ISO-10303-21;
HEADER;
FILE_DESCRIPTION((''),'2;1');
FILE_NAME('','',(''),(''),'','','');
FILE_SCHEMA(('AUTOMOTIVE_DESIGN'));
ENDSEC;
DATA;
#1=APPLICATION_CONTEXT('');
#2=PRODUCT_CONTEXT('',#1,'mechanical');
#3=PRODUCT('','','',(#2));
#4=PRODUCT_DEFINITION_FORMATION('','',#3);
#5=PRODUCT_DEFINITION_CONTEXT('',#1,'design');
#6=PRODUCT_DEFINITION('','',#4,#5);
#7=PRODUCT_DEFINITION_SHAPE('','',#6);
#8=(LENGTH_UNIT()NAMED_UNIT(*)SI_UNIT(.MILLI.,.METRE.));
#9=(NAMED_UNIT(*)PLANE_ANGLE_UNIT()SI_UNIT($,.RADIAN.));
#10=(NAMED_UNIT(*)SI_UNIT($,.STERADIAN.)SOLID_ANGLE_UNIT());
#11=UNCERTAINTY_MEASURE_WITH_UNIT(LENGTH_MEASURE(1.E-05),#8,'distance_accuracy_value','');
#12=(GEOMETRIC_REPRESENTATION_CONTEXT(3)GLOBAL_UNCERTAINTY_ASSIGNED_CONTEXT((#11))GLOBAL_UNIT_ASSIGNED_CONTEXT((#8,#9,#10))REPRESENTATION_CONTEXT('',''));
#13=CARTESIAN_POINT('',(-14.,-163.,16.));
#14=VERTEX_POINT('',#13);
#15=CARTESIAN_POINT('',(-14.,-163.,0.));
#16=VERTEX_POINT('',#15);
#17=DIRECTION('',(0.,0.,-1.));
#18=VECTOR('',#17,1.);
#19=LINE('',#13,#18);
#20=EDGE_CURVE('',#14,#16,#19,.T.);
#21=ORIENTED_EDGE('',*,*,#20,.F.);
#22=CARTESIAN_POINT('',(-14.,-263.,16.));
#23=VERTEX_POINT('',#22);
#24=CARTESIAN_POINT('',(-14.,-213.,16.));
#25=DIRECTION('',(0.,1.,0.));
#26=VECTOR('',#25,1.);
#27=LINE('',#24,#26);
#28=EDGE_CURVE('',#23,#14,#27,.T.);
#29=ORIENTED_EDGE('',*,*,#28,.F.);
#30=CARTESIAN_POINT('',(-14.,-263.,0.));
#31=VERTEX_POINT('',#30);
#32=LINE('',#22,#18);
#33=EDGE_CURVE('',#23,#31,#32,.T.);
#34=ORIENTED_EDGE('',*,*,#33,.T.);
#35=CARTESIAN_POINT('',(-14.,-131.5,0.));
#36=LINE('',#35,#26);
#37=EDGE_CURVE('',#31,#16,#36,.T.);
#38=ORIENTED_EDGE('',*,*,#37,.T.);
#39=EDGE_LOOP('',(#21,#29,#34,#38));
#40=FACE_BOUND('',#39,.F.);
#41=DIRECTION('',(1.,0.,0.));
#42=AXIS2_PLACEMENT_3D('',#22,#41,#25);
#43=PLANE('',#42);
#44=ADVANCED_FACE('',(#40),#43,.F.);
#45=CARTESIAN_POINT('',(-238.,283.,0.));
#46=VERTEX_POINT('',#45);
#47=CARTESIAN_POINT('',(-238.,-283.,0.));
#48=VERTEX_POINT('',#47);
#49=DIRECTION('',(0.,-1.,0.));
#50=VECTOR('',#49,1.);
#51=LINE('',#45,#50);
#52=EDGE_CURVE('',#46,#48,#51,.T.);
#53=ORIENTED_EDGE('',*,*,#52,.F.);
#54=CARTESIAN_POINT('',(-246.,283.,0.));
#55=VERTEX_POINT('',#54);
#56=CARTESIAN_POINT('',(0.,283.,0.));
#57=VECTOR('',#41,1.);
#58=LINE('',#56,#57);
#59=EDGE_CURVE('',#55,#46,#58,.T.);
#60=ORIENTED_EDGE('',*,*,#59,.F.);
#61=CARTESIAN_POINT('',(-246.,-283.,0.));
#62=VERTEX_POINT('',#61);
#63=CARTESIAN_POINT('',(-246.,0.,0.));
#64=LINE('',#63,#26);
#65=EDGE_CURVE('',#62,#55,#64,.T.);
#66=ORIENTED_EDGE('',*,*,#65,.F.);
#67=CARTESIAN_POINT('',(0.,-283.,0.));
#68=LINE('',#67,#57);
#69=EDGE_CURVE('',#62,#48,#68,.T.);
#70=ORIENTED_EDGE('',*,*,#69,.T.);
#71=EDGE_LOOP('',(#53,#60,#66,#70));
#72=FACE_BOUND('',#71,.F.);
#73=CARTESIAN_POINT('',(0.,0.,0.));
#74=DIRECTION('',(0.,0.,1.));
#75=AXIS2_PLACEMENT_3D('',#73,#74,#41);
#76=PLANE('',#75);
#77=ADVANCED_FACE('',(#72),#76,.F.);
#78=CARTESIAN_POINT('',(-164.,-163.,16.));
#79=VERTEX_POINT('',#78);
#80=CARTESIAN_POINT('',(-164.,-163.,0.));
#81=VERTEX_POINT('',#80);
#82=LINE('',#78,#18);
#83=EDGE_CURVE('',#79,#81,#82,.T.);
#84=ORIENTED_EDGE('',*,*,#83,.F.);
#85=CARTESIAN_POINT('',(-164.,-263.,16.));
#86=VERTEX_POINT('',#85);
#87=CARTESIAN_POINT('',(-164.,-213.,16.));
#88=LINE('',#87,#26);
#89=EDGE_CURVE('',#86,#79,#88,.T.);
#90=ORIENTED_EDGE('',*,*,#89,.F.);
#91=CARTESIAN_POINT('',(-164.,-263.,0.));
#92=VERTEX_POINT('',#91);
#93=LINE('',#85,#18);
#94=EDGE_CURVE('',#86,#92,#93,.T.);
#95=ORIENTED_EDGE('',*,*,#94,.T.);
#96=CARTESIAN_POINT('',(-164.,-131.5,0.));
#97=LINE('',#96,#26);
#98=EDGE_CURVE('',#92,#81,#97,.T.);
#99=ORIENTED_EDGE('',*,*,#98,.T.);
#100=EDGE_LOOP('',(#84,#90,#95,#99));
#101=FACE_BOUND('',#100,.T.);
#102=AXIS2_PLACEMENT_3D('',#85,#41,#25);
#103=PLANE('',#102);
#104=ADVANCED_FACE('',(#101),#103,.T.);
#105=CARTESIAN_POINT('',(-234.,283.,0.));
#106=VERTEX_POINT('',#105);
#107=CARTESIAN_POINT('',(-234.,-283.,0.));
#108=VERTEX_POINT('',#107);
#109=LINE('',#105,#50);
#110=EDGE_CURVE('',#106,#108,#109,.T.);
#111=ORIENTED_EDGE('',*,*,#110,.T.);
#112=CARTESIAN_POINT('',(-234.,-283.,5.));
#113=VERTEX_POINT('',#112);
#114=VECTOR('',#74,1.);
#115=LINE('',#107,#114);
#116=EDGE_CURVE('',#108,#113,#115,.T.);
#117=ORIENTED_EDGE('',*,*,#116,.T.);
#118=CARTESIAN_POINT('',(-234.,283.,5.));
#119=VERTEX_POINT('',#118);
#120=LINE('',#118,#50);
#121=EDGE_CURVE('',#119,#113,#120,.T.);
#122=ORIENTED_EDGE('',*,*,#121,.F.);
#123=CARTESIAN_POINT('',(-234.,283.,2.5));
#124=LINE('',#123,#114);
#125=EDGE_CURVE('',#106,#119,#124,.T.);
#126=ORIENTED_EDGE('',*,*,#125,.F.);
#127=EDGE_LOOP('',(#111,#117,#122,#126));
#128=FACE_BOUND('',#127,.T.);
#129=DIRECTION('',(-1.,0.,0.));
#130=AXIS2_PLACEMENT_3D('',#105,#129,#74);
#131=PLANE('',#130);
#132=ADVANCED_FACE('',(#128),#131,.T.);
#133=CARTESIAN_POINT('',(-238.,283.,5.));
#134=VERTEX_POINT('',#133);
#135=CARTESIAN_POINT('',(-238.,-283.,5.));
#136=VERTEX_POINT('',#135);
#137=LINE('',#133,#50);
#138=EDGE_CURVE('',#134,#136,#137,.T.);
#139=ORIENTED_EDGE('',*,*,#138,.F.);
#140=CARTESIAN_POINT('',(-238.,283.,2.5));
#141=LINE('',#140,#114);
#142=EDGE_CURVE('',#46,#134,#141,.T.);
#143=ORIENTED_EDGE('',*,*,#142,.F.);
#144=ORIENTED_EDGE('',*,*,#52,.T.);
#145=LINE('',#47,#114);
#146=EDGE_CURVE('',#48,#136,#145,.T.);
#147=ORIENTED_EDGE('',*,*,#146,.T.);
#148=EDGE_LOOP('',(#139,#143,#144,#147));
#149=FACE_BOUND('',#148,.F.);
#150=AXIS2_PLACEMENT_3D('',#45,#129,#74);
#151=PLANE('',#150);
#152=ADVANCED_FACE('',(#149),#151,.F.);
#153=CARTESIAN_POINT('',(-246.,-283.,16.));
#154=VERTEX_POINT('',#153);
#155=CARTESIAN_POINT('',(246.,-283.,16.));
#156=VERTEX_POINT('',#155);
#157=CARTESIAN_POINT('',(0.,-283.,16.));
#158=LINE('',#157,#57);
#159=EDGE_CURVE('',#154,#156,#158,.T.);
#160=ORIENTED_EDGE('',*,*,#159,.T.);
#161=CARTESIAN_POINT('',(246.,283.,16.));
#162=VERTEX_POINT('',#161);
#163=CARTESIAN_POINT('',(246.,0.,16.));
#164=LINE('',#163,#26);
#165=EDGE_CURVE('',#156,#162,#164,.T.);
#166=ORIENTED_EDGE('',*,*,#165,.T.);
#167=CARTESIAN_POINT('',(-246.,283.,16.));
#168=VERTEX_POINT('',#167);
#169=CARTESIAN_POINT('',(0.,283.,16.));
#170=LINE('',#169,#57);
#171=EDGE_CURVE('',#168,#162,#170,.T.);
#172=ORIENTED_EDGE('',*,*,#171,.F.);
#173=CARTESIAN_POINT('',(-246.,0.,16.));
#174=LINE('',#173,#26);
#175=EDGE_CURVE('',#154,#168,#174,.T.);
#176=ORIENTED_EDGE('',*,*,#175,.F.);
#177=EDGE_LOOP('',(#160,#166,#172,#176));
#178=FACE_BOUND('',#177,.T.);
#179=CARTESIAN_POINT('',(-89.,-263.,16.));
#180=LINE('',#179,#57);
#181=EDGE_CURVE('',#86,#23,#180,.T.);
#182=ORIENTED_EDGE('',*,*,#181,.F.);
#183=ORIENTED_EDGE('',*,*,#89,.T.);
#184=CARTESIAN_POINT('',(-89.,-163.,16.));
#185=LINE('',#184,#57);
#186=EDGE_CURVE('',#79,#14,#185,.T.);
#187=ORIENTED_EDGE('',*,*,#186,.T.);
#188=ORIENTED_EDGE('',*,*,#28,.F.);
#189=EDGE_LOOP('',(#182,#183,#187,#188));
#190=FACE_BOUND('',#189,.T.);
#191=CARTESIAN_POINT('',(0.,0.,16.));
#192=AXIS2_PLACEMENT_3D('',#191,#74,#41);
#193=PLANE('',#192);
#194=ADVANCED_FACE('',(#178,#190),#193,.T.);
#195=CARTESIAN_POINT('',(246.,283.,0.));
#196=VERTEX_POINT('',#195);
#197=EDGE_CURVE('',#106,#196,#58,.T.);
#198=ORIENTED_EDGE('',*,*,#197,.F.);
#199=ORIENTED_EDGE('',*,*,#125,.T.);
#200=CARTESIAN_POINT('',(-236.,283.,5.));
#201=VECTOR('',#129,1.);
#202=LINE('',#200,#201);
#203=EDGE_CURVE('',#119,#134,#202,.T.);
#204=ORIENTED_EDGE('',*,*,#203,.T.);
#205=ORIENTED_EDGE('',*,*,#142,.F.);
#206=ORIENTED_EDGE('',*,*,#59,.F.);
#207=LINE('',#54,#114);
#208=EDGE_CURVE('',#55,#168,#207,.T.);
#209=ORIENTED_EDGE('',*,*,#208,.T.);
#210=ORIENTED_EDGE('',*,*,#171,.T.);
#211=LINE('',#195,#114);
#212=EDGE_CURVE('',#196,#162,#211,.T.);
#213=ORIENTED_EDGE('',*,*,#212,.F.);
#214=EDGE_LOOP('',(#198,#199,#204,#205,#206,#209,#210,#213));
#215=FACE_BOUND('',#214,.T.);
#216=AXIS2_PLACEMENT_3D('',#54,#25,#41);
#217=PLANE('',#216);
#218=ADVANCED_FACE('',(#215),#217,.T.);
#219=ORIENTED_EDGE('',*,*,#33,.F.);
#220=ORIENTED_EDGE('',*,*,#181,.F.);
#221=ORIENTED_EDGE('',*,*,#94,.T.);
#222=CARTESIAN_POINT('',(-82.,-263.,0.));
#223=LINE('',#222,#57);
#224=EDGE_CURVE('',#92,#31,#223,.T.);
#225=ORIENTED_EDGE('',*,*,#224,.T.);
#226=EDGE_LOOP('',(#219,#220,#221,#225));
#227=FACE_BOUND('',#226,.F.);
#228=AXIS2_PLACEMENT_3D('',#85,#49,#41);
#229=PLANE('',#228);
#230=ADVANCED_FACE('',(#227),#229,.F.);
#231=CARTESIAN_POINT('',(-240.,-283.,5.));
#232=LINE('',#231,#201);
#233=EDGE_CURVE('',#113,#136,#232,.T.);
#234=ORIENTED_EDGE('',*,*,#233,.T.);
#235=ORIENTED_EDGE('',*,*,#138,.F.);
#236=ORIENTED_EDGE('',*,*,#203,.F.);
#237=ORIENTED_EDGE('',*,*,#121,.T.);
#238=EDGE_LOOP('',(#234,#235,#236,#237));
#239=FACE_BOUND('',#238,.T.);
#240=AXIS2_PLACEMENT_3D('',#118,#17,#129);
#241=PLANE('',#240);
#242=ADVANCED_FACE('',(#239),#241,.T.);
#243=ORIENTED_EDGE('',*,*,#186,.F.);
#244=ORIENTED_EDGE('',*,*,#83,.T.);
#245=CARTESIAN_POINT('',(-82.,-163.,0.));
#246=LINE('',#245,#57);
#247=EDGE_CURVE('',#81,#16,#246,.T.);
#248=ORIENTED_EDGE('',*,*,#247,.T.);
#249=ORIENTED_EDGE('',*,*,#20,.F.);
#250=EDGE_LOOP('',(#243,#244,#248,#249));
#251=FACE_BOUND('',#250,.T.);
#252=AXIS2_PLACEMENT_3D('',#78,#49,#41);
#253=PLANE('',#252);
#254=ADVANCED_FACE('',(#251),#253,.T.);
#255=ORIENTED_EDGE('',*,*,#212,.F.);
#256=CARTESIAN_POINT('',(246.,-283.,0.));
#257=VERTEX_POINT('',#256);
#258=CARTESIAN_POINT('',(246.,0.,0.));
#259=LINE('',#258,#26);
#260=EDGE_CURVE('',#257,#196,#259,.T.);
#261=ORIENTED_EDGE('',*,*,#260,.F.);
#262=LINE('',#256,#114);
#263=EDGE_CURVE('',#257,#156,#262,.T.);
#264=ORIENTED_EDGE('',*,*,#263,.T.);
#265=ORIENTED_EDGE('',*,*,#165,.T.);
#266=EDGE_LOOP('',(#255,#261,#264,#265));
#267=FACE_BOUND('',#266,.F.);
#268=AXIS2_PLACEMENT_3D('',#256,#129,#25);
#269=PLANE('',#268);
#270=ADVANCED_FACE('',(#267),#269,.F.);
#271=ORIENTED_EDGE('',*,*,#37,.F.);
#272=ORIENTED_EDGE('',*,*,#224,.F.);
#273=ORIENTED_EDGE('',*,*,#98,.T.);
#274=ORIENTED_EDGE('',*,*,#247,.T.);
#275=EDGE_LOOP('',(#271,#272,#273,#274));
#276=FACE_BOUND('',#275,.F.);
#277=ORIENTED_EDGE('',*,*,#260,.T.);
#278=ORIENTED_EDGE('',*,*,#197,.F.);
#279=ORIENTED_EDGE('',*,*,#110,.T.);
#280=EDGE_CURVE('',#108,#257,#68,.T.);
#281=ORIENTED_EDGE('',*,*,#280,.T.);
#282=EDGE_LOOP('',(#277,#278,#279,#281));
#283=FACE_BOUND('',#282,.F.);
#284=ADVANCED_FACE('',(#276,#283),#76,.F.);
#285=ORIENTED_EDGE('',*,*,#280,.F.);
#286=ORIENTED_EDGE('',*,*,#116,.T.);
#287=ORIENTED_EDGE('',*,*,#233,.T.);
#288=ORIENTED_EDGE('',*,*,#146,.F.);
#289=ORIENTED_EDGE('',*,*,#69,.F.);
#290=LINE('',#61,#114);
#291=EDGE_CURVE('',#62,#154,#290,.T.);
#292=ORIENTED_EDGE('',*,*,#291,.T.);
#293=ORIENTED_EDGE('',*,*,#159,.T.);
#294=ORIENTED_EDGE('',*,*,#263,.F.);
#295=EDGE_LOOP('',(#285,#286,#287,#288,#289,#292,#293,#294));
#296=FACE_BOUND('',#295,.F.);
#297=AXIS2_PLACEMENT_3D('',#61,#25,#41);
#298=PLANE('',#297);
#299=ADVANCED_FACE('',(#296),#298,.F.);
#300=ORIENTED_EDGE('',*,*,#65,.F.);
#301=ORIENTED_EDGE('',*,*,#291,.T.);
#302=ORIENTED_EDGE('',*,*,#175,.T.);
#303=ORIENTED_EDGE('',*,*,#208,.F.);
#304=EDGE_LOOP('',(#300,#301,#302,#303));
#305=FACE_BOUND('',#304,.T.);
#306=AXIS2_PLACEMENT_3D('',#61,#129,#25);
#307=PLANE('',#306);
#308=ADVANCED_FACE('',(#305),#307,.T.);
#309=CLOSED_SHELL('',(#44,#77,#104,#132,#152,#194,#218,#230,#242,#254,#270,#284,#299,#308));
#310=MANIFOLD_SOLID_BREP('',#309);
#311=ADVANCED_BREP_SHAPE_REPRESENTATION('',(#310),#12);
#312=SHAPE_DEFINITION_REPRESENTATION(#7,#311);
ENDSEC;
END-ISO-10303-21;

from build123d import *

# Parameters (mm, degrees)
F0_W     = 492
F0_H     = 566
F1_DEPTH = 16
F2_W     = 150
F2_H     = 100
F3_DEPTH = 16.001
F4_W     = 4
F4_H     = 5
F5_DEPTH = 566.001


with BuildPart() as f1:
    # F0 (on Top) → F1 (new body)
    with BuildSketch(Plane.XY):
        Rectangle(F0_W, F0_H)
    extrude(amount=F1_DEPTH)

    # F2 (on face) → F3 (cut, through all)
    with BuildSketch(Plane.XY.offset(16)):
        with Locations((-89, -213)):
            Rectangle(F2_W, F2_H)
    extrude(amount=-F3_DEPTH, mode=Mode.SUBTRACT)

    # F4 (on face) → F5 (cut, through all)
    with BuildSketch(Plane(origin=(0, 283, 0), x_dir=(-1, 0, 0), z_dir=(0, 1, 0))):
        with Locations((236, 2.5)):
            Rectangle(F4_W, F4_H)
    extrude(amount=-F5_DEPTH, mode=Mode.SUBTRACT)


solid = f1.part
